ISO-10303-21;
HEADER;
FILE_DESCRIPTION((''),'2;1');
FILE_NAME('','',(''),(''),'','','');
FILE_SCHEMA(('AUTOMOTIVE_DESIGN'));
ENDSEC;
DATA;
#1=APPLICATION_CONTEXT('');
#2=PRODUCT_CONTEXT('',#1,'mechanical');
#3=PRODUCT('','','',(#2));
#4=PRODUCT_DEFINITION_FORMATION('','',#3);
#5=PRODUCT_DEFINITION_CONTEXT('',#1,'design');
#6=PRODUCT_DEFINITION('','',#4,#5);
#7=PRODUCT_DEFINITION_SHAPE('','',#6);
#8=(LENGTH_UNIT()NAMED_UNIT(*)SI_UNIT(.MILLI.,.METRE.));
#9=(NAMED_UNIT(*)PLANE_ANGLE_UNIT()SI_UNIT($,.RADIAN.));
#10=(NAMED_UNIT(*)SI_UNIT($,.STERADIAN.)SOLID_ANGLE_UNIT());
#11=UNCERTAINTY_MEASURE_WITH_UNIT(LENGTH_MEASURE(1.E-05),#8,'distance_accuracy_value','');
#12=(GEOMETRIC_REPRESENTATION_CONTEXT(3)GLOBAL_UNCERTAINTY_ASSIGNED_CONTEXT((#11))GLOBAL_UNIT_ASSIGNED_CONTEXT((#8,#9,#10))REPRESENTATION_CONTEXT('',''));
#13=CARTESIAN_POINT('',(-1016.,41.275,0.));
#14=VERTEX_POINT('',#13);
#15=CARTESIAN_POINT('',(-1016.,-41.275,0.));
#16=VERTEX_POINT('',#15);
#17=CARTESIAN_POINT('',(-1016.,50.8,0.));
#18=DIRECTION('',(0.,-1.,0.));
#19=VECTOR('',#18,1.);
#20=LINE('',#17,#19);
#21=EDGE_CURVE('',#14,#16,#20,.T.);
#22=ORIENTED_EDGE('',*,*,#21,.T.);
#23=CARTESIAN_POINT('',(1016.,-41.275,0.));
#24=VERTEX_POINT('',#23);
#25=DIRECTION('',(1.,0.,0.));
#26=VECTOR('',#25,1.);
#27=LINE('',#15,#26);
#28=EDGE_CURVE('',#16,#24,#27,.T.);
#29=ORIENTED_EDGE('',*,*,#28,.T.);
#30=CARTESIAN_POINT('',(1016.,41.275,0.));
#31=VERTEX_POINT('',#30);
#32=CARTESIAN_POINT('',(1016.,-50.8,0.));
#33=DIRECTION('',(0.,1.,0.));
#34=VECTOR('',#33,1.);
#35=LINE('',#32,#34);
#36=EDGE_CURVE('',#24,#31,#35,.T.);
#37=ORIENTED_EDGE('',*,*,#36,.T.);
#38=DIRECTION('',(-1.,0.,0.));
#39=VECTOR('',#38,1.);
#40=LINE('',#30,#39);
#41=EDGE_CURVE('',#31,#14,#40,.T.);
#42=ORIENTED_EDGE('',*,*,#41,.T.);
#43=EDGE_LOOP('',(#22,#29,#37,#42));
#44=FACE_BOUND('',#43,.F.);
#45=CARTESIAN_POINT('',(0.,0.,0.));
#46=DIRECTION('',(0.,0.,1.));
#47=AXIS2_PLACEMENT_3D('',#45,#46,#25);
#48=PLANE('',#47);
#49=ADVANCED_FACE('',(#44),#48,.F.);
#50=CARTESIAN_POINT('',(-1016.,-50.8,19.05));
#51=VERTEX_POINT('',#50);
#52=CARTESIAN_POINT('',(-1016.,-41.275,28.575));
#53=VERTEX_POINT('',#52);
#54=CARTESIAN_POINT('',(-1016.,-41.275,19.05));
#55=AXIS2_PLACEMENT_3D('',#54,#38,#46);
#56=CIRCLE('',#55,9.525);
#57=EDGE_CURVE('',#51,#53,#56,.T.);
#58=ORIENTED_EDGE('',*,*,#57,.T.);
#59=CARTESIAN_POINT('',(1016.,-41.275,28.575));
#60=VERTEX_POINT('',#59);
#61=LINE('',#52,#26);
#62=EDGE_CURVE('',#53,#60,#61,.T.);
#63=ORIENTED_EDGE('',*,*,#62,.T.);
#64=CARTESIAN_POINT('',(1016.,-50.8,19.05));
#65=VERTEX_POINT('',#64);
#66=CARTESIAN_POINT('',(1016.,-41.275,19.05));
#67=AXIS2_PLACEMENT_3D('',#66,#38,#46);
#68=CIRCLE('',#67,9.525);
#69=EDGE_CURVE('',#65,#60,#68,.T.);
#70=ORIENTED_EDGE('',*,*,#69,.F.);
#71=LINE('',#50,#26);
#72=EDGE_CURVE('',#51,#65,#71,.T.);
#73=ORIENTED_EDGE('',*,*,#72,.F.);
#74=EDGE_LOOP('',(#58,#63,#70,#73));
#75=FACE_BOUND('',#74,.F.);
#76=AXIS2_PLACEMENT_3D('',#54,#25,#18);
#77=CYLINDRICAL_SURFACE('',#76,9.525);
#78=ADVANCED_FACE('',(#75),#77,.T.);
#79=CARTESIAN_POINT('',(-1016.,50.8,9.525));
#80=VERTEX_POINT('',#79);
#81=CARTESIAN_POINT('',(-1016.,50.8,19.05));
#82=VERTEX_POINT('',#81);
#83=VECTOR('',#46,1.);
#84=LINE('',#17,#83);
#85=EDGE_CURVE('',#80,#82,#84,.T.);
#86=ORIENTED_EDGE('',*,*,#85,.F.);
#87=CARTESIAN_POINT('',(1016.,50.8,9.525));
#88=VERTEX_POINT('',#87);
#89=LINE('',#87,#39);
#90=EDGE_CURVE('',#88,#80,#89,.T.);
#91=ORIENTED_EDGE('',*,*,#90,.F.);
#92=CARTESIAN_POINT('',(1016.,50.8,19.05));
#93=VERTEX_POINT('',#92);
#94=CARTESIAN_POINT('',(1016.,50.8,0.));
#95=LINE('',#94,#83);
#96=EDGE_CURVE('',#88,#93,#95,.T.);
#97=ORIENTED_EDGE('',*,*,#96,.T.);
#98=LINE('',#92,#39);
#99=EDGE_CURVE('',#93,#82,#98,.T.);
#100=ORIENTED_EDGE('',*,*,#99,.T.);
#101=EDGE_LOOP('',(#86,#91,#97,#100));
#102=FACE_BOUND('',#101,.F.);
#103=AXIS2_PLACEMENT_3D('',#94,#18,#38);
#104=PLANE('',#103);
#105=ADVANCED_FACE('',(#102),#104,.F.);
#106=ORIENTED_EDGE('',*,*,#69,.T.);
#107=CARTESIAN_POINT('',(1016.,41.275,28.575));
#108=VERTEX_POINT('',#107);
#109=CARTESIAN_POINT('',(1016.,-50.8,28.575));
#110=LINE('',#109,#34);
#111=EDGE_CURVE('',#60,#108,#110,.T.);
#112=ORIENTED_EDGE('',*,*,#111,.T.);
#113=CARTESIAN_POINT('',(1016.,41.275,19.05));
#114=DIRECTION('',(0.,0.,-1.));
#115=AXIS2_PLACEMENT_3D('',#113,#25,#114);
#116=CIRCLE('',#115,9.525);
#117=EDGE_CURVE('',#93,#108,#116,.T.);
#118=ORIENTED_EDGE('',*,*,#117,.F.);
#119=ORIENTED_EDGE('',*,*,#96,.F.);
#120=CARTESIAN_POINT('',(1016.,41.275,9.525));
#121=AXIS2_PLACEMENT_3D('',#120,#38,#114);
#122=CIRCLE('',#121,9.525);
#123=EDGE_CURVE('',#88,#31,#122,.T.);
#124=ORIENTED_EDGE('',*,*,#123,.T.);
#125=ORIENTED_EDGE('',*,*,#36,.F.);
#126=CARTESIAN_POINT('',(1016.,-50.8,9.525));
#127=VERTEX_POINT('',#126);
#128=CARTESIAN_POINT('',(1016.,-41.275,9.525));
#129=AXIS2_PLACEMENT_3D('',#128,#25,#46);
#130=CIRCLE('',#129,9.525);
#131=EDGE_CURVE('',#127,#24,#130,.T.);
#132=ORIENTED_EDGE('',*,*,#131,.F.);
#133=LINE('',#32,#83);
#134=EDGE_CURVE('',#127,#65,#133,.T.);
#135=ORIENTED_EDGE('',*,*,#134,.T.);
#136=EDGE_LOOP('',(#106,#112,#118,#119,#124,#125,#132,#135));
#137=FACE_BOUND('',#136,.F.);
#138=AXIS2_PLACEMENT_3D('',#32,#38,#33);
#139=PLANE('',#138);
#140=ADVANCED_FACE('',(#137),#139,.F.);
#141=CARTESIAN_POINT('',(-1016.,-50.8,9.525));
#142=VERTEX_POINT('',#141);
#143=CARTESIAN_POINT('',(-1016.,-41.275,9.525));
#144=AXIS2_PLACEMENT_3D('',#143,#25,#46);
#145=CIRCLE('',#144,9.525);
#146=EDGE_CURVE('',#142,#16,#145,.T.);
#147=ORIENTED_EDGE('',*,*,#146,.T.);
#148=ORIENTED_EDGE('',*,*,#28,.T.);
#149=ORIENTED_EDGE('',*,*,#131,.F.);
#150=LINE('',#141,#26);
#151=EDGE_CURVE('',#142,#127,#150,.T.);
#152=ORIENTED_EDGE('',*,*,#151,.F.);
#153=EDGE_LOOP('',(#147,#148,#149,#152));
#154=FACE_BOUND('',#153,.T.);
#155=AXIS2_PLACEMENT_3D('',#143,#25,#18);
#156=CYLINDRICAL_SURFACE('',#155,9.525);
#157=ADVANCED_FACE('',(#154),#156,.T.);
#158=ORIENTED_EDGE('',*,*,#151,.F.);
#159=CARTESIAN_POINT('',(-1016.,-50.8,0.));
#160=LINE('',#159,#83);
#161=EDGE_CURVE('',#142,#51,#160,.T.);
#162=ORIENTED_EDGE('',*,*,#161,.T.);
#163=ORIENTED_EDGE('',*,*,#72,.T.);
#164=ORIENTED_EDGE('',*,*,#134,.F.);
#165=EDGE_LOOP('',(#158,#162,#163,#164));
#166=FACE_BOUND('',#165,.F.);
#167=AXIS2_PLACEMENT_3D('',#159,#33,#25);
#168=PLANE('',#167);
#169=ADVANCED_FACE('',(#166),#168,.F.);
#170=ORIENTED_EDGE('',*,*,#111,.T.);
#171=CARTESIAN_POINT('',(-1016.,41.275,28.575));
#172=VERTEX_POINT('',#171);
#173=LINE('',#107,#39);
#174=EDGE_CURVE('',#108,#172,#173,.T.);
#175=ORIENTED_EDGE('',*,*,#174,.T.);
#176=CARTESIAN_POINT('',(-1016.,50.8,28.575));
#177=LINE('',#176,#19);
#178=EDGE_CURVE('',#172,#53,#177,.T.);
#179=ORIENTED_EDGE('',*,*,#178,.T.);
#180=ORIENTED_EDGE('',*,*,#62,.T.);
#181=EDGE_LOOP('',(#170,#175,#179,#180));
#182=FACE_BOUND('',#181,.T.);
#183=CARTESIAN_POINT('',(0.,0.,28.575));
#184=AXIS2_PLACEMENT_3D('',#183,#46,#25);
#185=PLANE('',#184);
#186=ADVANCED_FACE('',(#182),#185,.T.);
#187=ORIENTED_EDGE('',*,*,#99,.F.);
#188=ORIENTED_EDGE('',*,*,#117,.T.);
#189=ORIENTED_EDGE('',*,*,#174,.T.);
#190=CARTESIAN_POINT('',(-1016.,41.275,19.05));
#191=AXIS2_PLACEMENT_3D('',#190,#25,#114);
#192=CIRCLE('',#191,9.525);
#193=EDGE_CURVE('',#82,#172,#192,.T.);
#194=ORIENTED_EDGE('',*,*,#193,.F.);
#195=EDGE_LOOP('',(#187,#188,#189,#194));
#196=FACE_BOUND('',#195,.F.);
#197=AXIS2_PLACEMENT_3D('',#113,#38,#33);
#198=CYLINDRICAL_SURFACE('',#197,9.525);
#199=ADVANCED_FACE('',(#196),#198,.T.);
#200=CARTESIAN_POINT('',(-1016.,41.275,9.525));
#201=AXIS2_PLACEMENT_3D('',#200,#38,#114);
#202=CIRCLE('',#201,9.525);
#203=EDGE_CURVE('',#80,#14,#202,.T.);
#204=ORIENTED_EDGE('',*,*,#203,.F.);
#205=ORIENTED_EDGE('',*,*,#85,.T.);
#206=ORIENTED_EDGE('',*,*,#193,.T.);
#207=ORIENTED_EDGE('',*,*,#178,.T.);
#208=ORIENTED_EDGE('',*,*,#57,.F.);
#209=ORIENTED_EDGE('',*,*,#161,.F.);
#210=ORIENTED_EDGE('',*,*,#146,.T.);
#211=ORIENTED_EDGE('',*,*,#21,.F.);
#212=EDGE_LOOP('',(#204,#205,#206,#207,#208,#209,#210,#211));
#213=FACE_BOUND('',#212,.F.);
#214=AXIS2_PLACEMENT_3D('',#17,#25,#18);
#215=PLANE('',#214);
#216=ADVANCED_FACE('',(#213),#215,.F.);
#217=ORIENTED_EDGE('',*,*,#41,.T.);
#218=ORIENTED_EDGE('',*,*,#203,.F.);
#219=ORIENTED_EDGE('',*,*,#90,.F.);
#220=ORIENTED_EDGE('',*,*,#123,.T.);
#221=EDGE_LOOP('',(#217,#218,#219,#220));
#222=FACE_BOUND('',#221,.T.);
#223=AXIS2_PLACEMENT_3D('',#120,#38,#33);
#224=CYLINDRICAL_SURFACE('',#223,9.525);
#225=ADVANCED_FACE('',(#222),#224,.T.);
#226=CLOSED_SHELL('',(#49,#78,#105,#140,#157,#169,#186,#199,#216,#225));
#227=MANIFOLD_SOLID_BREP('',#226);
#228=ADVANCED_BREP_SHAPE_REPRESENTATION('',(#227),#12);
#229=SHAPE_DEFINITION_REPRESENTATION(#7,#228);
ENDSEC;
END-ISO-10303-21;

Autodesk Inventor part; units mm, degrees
ref_plane "YZ Plane" through (0, 0, 0) normal (1, 0, 0) x (0, 1, 0)
ref_plane "XZ Plane" through (0, 0, 0) normal (0, 1, 0) x (-1, 0, 0)
ref_plane "XY Plane" through (0, 0, 0) normal (0, 0, 1) x (1, 0, 0)
sketch "Sketch1" plane through (0, 0, 0) normal (0, 0, 1) x (1, 0, 0)
  line L0 (-1016, -50.8) -> (1016, -50.8)
  line L1 (1016, -50.8) -> (1016, 50.8)
  line L2 (1016, 50.8) -> (-1016, 50.8)
  line L3 (-1016, 50.8) -> (-1016, -50.8)
  line L4 (-1016, -50.8) -> (1016, 50.8) construction
  line L5 (1016, -50.8) -> (-1016, 50.8) construction
  point P0 (0, 0)
  dimension "d0" = 2032
  dimension "d1" = 101.6
extrude "Extrusion1" add sketch "Sketch1" along normal blind 28.575
fillet "Fillet1" radius 9.525 4 edges at (0, 50.8, 0) (0, 50.8, 28.575) (0, -50.8, 0) (0, -50.8, 28.575)
properties part number "SideLong"
